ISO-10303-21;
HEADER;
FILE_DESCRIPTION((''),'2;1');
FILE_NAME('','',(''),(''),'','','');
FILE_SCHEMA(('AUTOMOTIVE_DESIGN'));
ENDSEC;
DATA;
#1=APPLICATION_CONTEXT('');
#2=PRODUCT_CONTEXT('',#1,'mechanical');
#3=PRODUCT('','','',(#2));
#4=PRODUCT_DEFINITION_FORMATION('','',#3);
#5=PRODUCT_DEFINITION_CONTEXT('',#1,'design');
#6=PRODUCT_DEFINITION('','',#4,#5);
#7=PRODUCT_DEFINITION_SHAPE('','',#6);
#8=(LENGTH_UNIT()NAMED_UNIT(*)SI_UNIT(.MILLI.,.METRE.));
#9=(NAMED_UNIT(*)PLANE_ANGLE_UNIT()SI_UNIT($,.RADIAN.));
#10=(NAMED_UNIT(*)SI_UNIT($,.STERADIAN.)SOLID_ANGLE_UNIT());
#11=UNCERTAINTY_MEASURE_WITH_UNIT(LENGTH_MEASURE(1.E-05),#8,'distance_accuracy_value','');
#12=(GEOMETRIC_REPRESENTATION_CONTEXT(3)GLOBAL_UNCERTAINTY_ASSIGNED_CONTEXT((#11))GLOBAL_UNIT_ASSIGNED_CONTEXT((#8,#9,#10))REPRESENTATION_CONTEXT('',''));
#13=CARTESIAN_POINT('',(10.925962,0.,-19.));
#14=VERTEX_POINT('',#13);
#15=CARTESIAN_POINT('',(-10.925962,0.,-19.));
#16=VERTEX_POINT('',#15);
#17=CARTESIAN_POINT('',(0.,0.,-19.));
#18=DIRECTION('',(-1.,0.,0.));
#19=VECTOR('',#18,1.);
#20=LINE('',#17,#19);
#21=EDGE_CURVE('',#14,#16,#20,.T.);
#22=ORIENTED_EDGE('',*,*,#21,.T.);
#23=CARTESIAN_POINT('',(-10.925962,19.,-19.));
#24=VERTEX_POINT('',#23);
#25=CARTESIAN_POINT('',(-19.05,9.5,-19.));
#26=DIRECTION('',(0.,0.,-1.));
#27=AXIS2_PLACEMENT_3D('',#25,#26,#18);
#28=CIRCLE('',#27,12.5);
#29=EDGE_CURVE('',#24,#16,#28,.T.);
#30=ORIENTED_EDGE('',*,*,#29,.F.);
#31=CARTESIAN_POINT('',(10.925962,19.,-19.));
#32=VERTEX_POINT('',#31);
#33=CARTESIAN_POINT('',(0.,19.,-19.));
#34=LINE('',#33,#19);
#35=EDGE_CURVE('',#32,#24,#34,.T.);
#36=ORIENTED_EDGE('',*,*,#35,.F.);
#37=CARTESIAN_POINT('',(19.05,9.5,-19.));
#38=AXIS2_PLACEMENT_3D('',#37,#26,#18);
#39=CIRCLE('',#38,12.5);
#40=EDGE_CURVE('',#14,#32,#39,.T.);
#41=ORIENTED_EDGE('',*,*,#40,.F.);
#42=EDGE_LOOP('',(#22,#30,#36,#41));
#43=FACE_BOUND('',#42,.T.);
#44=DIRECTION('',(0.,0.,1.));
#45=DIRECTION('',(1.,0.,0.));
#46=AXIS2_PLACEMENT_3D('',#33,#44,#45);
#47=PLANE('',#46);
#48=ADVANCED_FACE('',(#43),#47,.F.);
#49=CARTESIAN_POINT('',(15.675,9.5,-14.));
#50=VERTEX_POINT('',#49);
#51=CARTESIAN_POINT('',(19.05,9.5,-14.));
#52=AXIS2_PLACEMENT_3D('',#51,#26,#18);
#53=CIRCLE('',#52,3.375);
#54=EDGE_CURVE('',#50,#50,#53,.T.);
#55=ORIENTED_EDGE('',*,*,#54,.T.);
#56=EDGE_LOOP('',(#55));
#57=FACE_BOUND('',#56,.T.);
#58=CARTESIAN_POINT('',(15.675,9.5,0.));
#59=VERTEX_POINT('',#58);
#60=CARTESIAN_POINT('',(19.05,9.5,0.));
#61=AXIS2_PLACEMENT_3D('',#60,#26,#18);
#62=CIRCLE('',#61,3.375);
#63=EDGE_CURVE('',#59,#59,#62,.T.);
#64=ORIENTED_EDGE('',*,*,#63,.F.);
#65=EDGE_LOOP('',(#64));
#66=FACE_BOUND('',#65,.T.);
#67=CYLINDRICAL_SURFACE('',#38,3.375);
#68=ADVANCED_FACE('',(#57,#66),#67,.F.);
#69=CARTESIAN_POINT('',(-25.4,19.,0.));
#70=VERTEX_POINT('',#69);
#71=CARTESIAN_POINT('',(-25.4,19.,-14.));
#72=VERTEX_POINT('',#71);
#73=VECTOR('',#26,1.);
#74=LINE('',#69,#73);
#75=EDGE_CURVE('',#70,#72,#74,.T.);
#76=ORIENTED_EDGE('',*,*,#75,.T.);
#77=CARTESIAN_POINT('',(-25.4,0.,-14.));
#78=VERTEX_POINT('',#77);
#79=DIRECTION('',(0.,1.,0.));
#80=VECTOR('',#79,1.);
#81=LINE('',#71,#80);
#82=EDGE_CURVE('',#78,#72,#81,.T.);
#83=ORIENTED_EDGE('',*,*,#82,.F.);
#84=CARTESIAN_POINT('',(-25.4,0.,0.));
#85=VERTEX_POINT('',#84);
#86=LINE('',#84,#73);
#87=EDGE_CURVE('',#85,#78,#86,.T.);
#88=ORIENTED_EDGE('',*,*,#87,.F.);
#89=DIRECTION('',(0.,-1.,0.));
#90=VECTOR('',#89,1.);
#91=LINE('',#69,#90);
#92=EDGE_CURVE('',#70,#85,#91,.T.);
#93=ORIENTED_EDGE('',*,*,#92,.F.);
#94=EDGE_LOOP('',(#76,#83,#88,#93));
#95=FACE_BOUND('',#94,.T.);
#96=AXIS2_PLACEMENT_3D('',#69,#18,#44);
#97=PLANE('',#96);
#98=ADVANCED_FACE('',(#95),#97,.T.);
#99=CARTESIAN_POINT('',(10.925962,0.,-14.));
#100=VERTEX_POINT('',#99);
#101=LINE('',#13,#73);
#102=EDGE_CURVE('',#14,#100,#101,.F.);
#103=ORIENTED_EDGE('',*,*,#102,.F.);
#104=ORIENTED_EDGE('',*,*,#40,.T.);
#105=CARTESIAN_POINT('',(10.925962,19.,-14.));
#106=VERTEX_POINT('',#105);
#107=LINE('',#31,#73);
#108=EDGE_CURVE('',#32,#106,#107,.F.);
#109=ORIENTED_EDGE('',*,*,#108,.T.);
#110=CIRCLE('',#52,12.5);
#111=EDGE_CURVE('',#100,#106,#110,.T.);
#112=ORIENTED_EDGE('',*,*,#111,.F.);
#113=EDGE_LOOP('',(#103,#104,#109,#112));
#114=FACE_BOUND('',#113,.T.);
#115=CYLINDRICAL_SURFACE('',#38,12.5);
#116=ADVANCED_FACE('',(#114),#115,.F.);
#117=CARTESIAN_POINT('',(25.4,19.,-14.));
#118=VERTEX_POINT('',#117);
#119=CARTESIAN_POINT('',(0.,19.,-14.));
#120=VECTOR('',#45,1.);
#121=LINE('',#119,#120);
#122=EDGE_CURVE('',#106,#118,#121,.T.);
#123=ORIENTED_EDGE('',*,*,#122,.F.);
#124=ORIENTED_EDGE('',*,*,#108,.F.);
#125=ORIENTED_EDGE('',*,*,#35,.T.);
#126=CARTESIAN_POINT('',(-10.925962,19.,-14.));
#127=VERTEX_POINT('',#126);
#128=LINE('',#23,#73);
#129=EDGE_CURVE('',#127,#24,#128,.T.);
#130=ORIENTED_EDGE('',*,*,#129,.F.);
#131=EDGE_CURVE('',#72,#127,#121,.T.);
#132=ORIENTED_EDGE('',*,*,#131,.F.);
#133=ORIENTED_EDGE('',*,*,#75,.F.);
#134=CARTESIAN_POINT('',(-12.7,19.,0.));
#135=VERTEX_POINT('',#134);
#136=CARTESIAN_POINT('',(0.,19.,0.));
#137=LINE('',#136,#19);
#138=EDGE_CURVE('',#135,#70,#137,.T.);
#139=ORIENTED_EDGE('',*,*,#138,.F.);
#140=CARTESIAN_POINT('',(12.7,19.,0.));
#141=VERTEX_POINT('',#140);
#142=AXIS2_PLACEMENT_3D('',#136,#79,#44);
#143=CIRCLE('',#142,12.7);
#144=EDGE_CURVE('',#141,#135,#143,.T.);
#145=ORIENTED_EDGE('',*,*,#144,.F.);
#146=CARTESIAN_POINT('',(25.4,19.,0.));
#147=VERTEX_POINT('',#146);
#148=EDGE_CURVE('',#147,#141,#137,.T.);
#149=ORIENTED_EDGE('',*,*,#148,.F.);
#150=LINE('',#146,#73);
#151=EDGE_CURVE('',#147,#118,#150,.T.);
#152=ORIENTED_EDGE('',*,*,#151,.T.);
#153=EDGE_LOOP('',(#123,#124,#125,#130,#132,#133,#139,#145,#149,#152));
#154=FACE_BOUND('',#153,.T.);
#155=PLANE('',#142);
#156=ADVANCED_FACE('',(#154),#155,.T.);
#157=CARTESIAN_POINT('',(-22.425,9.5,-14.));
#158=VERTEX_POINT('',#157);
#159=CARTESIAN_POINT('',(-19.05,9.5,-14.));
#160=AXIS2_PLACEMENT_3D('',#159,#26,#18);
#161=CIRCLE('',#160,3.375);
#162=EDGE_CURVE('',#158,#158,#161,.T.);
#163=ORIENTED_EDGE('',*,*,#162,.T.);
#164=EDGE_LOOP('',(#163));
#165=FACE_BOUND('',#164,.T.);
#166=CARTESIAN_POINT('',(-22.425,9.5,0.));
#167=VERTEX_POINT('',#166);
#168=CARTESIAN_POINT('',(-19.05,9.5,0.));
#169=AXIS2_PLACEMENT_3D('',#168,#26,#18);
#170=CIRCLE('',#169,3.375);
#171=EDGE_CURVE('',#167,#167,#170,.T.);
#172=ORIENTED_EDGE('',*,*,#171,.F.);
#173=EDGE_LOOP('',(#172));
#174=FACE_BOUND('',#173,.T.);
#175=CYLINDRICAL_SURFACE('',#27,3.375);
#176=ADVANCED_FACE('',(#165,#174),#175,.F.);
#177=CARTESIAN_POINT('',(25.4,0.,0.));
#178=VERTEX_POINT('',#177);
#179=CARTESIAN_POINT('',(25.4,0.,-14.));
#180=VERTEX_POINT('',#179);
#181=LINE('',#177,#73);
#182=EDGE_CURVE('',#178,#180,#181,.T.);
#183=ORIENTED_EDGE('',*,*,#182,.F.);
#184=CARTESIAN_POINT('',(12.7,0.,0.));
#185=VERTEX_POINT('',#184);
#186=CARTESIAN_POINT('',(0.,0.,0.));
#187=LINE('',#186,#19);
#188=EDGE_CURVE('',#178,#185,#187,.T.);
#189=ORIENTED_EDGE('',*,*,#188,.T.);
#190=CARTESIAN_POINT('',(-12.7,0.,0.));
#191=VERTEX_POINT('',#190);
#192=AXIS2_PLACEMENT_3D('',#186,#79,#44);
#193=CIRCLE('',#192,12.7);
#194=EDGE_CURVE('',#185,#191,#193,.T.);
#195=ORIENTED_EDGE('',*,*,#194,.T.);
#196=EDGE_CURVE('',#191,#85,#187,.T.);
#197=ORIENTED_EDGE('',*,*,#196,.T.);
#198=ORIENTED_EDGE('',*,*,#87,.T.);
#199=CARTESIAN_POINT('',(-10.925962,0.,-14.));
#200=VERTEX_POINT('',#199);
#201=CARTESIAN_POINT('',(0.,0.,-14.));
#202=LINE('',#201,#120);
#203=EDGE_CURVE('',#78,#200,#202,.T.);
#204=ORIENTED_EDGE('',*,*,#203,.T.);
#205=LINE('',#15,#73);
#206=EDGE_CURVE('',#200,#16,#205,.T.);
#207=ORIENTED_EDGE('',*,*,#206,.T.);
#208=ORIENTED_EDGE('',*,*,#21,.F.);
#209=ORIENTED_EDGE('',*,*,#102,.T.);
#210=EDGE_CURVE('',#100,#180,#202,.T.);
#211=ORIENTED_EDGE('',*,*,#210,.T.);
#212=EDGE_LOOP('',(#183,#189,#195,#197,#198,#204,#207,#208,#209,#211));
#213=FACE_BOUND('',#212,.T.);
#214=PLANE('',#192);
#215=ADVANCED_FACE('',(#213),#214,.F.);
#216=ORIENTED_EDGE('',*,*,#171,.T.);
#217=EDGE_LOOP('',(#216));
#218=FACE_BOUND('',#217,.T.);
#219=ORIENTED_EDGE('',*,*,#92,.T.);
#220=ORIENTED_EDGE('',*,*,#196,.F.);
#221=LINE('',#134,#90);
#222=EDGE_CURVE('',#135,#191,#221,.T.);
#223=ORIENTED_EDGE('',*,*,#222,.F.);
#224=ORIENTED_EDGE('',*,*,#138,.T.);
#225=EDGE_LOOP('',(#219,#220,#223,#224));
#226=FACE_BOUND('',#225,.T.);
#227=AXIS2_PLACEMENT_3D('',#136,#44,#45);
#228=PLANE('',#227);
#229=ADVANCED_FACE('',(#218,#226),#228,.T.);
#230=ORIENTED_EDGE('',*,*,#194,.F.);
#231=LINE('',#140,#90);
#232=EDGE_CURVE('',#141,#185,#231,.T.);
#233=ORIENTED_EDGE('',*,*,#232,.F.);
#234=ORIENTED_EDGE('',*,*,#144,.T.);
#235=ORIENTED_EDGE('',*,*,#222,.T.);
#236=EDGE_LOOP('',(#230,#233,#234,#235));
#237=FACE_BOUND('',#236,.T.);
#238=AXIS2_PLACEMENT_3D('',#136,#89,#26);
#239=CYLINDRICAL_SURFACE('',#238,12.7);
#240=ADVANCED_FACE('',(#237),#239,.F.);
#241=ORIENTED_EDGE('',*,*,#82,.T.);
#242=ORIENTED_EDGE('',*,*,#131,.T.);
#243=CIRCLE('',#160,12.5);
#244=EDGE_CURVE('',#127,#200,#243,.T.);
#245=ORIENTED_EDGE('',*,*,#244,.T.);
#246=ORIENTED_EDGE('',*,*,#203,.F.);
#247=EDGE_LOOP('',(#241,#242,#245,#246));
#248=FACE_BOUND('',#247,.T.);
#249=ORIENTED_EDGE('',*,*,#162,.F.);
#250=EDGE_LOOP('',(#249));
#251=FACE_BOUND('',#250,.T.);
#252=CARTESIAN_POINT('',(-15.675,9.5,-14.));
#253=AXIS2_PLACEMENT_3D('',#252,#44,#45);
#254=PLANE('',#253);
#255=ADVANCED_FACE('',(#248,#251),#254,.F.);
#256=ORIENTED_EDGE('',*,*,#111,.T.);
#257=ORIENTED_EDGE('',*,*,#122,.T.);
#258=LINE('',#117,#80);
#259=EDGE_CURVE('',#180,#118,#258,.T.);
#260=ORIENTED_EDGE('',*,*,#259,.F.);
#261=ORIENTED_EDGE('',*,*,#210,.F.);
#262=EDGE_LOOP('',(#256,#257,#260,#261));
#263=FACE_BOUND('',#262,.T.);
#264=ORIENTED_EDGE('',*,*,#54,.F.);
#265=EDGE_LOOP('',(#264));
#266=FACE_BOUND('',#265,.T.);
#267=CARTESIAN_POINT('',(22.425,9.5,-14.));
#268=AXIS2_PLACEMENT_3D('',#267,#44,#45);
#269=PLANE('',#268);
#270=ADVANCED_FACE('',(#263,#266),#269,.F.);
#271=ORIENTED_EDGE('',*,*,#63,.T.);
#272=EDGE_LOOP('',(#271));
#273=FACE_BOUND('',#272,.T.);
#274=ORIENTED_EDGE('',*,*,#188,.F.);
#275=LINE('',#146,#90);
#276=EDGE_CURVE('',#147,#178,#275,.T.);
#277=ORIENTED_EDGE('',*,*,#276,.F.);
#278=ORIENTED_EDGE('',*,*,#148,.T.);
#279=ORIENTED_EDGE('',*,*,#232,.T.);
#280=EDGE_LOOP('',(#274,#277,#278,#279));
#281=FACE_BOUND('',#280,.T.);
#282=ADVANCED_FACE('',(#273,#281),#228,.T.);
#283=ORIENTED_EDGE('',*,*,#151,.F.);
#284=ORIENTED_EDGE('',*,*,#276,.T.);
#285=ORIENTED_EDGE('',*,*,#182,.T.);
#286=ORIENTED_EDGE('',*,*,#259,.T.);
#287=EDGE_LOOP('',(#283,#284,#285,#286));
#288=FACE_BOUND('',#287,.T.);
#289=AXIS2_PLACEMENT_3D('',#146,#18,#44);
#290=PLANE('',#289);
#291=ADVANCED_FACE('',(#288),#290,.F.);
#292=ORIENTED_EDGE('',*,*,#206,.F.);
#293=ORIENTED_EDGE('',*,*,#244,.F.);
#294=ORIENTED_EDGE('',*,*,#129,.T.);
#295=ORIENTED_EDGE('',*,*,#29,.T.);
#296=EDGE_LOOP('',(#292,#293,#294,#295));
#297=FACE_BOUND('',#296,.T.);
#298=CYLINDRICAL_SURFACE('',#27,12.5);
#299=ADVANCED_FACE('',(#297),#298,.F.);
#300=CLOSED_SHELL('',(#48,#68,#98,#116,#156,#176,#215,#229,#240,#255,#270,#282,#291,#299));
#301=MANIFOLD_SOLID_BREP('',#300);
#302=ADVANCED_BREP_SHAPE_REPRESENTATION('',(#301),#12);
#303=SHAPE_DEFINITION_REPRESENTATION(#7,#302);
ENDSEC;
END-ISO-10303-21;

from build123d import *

# Parameters (mm, degrees)
BOSS_EXTRUDE1_DEPTH                           = 19
CBORE_FOR_M12_HEX_HEAD_CAP_SCREW2_D           = 6.75
CBORE_FOR_M12_HEX_HEAD_CAP_SCREW2_CBORE_D     = 25
CBORE_FOR_M12_HEX_HEAD_CAP_SCREW2_CBORE_DEPTH = 5


with BuildPart() as part:
    # Sketch1 → Boss-Extrude1 (new body)
    with BuildSketch(Plane(origin=(0, 0, 0), x_dir=(1, 0, 0), z_dir=(0, 1, 0))):
        with BuildLine():
            Line((12.7, 0), (25.4, 0))
            Line((25.4, 0), (25.4, 19))
            Line((25.4, 19), (-25.4, 19))
            Line((-25.4, 19), (-25.4, 0))
            Line((-25.4, 0), (-12.7, 0))
            ThreePointArc((-12.7, 0), (0, 12.7), (12.7, 0))
        make_face()
    extrude(amount=BOSS_EXTRUDE1_DEPTH)

    # CBORE for M12 Hex Head Cap Screw2 (through all)
    with Locations(Plane(origin=(19.05, 9.5, -19), x_dir=(-1, 0, 0), z_dir=(0, 0, -1))):
        with Locations((0, 0), (38.1, 0)):
            CounterBoreHole(CBORE_FOR_M12_HEX_HEAD_CAP_SCREW2_D / 2, CBORE_FOR_M12_HEX_HEAD_CAP_SCREW2_CBORE_D / 2, CBORE_FOR_M12_HEX_HEAD_CAP_SCREW2_CBORE_DEPTH)


solid = part.part
